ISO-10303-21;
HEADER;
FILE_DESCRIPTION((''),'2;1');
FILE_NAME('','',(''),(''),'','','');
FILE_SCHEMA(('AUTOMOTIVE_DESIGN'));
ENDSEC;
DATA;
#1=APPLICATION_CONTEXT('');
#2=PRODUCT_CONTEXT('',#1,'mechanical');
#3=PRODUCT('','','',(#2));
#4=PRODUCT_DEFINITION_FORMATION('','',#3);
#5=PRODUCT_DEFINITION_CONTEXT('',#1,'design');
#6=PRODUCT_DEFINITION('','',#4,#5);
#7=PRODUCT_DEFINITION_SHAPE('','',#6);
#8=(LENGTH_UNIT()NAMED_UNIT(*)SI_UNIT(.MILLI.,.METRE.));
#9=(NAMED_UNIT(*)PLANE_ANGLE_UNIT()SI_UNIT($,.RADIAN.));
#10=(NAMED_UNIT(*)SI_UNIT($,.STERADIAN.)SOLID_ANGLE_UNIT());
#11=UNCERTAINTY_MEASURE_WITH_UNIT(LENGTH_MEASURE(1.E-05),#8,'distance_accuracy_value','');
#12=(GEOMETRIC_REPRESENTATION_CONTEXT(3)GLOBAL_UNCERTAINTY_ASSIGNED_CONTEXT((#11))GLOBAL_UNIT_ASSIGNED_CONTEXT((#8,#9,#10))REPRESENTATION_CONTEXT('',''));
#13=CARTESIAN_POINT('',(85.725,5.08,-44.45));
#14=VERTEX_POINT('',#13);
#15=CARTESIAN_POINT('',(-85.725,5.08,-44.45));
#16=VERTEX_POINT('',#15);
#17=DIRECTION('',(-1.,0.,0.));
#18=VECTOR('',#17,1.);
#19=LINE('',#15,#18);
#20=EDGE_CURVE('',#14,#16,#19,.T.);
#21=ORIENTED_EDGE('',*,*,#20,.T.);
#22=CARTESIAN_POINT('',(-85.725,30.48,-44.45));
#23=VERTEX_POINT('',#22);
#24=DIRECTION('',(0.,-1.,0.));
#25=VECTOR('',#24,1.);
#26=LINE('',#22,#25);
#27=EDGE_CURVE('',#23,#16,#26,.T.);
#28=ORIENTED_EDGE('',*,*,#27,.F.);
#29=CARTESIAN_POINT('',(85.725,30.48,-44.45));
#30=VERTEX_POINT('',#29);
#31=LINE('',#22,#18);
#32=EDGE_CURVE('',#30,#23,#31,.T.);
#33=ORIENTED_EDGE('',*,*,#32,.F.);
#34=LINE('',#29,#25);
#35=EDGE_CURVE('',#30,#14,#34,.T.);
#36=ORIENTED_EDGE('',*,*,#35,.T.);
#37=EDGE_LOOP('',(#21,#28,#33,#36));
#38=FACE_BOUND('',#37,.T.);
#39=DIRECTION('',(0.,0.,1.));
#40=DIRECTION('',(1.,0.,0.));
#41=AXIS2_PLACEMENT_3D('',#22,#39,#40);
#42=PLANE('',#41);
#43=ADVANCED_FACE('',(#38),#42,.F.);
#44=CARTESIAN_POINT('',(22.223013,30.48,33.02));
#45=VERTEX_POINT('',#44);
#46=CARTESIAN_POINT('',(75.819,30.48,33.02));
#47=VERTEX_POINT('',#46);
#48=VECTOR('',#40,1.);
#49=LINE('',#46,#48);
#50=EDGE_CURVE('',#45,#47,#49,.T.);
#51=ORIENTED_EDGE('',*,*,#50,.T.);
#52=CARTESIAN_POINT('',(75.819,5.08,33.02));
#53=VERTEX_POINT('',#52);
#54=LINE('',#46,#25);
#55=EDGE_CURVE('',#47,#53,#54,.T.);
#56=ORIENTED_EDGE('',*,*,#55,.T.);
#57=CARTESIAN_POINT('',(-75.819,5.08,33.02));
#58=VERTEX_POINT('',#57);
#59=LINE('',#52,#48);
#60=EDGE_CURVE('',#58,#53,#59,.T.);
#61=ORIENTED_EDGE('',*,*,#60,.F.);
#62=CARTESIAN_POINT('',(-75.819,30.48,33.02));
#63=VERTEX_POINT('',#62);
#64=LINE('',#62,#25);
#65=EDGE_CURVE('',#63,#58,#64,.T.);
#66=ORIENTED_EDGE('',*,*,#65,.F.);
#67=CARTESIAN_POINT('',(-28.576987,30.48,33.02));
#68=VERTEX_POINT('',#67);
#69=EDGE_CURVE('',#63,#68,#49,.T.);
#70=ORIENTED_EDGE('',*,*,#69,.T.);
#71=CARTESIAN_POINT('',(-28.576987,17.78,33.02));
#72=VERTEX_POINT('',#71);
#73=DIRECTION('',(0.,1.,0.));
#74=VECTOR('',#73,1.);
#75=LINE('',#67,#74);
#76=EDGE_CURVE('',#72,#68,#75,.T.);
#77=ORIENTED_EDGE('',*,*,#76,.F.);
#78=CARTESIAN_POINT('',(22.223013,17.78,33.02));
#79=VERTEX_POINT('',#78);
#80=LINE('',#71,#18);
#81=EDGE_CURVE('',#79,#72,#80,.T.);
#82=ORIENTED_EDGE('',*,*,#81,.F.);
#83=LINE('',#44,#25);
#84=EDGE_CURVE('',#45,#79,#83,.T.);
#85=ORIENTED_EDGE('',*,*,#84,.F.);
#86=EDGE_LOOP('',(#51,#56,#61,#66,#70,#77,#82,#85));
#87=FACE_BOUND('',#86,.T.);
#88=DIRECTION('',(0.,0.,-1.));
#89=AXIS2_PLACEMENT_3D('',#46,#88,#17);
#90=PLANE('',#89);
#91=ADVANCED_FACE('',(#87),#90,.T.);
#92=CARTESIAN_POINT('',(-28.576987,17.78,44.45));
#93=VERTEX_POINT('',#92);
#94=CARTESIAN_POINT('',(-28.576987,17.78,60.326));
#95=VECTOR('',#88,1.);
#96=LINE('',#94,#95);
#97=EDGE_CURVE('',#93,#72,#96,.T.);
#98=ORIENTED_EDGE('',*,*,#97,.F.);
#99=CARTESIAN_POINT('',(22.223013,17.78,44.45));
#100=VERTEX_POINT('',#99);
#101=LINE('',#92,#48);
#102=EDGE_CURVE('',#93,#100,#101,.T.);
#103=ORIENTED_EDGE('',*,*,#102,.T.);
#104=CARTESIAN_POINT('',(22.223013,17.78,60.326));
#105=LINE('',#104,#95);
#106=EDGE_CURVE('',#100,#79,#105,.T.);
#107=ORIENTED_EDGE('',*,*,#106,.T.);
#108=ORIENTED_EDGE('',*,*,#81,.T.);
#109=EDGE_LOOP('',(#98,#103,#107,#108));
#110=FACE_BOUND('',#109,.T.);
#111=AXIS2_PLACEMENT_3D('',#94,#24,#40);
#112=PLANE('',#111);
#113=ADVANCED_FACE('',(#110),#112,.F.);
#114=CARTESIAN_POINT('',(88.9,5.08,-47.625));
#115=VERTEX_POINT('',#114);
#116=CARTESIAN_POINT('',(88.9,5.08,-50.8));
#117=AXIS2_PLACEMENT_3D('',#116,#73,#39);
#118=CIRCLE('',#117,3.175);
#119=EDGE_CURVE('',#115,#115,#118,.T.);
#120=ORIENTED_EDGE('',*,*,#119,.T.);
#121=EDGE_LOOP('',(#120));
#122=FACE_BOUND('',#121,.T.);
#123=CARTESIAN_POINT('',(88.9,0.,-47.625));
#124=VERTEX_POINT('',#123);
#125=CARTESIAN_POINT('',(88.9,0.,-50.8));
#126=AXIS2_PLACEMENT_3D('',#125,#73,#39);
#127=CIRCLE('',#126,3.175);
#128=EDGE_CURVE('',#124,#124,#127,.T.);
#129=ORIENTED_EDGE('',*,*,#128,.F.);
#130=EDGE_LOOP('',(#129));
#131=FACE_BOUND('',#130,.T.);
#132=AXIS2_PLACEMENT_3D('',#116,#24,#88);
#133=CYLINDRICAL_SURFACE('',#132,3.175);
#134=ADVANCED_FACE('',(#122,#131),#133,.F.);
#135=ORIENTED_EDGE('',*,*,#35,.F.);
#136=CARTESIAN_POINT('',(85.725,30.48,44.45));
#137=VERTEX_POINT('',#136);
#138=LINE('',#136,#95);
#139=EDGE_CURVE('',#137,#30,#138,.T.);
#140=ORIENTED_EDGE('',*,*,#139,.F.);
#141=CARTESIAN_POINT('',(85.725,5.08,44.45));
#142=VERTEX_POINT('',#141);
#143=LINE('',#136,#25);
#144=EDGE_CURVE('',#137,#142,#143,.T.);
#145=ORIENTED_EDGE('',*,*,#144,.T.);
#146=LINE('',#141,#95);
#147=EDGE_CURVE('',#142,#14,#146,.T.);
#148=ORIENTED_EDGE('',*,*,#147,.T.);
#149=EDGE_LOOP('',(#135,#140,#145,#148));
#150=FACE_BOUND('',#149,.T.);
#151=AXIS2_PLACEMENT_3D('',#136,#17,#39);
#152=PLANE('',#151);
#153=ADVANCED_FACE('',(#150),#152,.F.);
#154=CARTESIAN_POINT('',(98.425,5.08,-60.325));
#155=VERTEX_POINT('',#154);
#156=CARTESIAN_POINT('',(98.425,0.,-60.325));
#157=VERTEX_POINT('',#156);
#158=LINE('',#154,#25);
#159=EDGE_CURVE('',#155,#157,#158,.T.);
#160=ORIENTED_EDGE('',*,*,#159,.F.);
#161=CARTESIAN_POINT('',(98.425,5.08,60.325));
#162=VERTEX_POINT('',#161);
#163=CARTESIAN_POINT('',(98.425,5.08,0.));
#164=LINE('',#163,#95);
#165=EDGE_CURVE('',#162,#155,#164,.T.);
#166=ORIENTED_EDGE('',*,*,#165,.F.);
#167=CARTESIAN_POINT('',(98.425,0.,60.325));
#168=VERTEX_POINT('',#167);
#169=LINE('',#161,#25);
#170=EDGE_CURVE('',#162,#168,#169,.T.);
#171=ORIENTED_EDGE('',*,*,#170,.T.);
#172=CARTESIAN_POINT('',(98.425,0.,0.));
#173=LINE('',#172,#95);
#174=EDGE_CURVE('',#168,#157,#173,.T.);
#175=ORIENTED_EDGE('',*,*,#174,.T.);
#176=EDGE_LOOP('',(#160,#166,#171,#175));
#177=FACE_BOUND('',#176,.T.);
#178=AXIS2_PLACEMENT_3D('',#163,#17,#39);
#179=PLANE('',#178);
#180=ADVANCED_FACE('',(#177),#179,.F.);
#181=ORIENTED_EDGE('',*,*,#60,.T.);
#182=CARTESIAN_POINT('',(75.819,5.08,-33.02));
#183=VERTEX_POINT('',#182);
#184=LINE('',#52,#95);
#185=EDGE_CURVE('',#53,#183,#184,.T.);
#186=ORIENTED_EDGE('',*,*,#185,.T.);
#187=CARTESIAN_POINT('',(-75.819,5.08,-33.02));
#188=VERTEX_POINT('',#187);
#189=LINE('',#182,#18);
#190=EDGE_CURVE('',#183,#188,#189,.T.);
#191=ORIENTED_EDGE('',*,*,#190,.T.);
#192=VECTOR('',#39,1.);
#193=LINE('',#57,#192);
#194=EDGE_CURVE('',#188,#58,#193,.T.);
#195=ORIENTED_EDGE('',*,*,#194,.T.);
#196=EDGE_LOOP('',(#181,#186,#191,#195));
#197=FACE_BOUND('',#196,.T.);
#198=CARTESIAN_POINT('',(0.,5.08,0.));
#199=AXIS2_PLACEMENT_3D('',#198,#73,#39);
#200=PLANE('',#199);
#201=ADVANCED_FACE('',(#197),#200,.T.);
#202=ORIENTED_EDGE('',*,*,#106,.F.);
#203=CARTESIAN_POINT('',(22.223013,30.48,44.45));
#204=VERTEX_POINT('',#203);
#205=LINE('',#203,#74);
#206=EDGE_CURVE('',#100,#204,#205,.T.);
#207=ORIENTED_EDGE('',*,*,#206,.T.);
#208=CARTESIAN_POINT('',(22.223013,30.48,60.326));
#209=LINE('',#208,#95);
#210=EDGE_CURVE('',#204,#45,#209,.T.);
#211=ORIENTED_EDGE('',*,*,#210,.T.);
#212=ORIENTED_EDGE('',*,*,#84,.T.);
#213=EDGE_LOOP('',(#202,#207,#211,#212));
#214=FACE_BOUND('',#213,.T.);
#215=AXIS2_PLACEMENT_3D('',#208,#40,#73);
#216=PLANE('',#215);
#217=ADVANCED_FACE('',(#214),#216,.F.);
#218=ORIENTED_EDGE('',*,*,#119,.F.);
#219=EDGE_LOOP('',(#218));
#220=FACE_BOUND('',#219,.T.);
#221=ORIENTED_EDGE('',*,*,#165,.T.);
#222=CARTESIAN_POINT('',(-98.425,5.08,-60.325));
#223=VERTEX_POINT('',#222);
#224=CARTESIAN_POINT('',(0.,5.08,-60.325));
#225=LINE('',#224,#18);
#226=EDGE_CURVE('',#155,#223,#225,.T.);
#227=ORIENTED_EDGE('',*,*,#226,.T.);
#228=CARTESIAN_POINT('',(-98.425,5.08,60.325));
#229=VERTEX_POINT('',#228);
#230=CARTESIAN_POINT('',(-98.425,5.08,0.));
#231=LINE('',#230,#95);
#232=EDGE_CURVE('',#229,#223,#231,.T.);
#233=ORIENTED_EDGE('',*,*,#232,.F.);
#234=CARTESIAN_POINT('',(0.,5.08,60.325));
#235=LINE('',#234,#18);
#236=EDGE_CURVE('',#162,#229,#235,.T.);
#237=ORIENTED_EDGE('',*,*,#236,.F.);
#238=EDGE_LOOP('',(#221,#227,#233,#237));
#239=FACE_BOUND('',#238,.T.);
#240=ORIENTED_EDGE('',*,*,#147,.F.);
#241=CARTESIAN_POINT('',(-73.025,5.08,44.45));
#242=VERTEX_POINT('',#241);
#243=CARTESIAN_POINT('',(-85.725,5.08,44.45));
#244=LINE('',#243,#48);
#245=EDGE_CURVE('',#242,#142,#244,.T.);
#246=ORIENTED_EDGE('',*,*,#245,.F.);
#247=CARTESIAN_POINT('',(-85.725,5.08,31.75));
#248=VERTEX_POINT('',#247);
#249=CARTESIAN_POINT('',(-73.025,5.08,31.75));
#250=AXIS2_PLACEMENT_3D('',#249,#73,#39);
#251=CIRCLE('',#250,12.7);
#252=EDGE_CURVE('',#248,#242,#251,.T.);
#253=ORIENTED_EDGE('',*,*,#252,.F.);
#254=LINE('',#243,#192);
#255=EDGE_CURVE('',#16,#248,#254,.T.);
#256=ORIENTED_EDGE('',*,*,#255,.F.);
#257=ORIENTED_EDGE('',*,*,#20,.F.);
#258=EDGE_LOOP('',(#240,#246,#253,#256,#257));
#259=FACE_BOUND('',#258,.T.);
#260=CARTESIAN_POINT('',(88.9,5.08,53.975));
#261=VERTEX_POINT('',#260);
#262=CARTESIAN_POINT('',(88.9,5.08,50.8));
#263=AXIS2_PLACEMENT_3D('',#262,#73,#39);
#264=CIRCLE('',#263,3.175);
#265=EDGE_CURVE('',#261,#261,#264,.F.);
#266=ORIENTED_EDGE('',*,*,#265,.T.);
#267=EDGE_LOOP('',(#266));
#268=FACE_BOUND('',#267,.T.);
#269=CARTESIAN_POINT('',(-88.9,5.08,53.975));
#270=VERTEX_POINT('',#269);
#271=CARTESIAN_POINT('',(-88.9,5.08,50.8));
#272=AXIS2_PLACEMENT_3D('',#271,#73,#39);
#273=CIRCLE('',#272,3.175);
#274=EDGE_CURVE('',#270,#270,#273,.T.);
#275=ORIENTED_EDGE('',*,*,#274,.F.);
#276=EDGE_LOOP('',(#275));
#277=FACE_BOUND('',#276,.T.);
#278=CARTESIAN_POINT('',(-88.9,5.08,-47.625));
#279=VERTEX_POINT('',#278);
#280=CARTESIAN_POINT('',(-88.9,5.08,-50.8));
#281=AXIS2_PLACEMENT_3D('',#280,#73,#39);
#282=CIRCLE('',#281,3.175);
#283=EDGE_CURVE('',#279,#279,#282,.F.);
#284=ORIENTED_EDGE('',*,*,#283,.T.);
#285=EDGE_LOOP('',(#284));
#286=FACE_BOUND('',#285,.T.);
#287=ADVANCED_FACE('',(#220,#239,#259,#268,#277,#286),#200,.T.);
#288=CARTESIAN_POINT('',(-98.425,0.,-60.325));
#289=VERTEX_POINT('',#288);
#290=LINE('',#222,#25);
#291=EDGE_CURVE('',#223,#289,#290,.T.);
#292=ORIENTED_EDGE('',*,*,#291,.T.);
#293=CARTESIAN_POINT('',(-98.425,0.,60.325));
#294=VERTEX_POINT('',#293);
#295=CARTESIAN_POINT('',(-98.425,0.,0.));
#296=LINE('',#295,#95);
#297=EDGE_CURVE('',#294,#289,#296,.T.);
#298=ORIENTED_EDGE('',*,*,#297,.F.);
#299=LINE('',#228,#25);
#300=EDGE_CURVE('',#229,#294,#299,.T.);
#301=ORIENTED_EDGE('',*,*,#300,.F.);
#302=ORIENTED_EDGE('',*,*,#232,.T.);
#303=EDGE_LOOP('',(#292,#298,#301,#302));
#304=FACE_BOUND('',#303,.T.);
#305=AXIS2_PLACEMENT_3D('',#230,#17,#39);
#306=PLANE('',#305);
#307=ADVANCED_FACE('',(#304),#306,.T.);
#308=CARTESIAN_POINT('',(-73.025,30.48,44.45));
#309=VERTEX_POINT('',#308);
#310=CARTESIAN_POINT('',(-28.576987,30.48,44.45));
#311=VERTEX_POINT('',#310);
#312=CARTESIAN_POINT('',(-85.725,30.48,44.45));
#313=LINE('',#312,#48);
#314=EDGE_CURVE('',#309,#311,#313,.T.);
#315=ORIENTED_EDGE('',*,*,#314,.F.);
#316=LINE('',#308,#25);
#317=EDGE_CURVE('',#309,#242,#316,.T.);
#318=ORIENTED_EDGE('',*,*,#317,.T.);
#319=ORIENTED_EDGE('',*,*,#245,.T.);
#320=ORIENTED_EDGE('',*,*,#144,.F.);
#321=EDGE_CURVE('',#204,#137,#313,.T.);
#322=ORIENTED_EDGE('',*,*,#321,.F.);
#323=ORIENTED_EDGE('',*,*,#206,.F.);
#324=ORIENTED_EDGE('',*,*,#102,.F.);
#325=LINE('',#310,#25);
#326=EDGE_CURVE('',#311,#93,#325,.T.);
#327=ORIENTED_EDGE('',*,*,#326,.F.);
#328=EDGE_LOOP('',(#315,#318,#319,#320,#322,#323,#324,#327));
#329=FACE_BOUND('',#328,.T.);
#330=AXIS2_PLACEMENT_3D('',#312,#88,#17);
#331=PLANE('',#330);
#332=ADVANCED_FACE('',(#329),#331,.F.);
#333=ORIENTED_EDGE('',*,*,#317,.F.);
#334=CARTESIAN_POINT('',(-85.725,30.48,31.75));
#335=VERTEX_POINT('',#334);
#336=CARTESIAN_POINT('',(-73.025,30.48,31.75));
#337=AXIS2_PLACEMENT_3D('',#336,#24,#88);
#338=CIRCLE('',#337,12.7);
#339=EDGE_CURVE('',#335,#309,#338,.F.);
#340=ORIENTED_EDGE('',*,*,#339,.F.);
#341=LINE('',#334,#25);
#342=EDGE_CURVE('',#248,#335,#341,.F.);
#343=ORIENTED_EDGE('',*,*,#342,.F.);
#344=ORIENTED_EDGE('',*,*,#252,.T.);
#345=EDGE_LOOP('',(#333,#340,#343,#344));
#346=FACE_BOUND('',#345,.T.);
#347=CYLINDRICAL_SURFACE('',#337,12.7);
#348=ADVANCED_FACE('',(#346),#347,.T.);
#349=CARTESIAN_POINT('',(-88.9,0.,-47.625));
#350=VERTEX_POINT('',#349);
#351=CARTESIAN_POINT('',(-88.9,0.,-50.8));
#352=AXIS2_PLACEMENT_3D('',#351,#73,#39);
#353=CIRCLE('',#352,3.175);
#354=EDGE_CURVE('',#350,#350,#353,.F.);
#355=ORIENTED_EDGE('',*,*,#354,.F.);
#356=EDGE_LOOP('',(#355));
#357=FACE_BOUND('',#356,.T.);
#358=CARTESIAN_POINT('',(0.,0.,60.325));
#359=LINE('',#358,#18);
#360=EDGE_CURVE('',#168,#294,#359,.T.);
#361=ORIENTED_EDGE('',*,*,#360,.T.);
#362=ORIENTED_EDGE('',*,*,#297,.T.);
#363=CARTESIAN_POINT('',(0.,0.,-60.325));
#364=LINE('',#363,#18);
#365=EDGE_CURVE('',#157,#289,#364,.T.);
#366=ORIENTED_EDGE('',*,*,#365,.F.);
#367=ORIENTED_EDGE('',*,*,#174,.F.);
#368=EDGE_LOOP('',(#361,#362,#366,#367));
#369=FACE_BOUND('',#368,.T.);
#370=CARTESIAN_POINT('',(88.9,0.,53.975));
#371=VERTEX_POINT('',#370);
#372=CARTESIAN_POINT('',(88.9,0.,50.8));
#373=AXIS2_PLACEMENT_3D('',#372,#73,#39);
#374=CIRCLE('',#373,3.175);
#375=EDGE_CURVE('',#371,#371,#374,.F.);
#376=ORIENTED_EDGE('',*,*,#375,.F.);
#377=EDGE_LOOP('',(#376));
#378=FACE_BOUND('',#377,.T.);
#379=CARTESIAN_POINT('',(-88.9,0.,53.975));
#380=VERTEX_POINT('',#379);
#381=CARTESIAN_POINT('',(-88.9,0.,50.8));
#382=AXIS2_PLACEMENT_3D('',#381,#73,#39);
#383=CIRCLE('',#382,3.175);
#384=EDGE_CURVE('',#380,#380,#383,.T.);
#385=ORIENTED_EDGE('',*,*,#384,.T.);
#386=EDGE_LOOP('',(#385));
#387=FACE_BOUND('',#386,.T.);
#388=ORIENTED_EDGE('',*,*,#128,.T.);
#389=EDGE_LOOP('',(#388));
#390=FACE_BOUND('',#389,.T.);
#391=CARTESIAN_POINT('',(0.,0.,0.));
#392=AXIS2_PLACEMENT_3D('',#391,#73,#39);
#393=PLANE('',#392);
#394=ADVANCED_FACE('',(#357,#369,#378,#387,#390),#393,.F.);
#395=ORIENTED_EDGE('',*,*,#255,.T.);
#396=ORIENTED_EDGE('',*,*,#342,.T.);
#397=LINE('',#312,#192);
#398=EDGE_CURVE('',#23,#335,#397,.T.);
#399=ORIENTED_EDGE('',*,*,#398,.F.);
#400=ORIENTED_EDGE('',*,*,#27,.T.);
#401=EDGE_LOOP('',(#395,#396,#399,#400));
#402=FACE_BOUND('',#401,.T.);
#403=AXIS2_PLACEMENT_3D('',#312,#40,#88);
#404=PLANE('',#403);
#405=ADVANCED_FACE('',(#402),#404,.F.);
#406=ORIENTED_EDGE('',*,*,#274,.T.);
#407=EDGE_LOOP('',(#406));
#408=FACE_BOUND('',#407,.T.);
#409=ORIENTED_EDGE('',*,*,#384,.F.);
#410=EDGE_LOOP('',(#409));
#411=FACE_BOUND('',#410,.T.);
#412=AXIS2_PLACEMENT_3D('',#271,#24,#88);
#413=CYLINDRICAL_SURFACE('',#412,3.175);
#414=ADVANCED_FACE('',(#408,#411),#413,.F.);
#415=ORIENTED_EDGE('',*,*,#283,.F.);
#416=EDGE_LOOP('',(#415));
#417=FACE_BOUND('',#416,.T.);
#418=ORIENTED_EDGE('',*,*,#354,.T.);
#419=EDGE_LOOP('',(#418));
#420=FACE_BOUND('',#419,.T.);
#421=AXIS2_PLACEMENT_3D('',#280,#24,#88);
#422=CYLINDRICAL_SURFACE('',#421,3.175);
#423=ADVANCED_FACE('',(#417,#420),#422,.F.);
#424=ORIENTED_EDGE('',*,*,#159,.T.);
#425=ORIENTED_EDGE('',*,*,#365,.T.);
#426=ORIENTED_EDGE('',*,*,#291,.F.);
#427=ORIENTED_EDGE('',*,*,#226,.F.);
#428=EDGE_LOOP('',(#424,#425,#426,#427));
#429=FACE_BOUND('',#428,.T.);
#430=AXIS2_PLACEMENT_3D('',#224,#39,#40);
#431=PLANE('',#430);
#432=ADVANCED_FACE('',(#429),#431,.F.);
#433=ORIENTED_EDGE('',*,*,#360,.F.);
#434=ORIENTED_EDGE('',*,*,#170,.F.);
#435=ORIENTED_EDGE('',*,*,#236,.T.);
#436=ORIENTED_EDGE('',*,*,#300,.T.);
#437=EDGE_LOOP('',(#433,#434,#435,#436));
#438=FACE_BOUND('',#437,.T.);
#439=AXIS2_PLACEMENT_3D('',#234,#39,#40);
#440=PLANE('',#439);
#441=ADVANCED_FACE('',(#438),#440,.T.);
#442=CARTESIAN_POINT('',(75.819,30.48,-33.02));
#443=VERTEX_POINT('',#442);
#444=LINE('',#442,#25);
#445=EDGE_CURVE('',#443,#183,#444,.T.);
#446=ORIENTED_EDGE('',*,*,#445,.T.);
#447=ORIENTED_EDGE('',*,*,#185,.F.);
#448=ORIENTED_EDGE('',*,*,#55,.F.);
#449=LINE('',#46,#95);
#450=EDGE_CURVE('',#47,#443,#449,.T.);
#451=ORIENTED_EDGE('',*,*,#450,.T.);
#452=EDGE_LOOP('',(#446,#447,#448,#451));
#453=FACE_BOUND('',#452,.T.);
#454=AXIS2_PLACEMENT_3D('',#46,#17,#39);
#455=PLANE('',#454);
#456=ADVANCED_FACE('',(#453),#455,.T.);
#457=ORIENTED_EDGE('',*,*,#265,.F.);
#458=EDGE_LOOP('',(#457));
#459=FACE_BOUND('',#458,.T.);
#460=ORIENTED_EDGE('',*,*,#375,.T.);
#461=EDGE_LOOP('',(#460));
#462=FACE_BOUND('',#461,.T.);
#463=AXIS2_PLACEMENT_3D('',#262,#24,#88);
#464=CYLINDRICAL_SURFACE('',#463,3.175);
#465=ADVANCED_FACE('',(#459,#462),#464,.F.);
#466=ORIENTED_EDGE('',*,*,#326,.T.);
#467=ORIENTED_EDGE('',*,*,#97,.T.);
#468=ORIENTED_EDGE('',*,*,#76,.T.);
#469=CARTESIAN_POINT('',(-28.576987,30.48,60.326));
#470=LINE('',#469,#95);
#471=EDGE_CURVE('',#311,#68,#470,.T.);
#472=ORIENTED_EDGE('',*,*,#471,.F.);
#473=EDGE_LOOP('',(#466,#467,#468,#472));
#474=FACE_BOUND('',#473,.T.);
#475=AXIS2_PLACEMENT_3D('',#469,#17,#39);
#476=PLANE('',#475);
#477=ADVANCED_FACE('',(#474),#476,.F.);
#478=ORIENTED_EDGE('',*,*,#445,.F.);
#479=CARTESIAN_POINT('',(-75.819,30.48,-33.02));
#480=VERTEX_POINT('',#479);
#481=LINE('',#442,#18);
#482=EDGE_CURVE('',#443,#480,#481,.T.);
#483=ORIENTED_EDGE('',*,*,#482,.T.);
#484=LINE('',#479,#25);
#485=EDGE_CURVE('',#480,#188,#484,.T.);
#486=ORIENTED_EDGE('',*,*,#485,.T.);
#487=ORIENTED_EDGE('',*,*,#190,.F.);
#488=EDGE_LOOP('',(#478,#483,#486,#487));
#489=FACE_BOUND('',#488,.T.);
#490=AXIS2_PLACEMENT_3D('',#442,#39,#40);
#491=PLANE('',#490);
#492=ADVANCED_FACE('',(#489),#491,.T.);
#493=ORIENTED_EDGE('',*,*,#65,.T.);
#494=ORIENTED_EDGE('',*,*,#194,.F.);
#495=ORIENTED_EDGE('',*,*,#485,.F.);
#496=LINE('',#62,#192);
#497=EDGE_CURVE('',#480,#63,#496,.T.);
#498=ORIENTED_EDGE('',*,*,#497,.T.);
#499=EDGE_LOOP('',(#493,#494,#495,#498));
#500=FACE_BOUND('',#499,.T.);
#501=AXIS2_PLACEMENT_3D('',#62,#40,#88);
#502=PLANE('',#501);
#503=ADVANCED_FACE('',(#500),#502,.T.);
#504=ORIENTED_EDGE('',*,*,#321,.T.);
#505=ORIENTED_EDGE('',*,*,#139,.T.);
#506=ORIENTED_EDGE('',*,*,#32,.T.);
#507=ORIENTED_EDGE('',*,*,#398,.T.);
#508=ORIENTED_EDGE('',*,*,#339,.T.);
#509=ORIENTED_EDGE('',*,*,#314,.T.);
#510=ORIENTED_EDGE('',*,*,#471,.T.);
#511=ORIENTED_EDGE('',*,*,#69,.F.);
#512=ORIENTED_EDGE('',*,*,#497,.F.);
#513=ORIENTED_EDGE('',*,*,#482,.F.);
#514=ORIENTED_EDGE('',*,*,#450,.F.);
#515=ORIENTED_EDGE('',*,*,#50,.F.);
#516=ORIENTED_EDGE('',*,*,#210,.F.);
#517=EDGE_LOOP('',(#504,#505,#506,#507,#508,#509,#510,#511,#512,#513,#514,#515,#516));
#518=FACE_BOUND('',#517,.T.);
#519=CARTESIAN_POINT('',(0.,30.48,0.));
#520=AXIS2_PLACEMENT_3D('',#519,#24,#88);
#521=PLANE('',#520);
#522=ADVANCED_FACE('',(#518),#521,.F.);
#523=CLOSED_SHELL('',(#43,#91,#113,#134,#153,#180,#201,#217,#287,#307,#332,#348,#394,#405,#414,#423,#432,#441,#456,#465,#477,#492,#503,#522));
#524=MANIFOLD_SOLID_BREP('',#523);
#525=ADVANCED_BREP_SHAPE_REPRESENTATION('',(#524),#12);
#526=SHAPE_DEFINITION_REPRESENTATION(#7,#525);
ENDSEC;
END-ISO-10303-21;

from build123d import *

# Parameters (mm, degrees)
SKETCH1_W           = 196.85
SKETCH1_H           = 120.65
SKETCH1_R           = 3.175
BOSS_EXTRUDE2_DEPTH = 5.08
SKETCH4_W           = 171.45
SKETCH4_H           = 88.9
SKETCH4_W_2         = 151.638
SKETCH4_H_2         = 66.04
BOSS_EXTRUDE3_DEPTH = 25.4
FILLET4_R           = 12.7
CUT_EXTRUDE1_REACH  = 141.032
SKETCH7_W           = 50.8
SKETCH7_H           = 12.7


with BuildPart() as part:
    # Sketch1 → Boss-Extrude2 (new body)
    with BuildSketch(Plane(origin=(0, 0, 0), x_dir=(1, 0, 0), z_dir=(0, 1, 0))):
        Rectangle(SKETCH1_W, SKETCH1_H)
        with Locations(Location((-88.9, -50.8, 0), (0, 0, 270))):
            Circle(SKETCH1_R, mode=Mode.SUBTRACT)
        with Locations(Location((88.9, -50.8, 0), (0, 0, 270))):
            Circle(SKETCH1_R, mode=Mode.SUBTRACT)
        with Locations(Location((-88.9, 50.8, 0), (0, 0, 270))):
            Circle(SKETCH1_R, mode=Mode.SUBTRACT)
        with Locations(Location((88.9, 50.8, 0), (0, 0, 270))):
            Circle(SKETCH1_R, mode=Mode.SUBTRACT)
    extrude(amount=BOSS_EXTRUDE2_DEPTH)

    # Sketch4 → Boss-Extrude3 (add)
    with BuildSketch(Plane(origin=(0, 5.08, 0), x_dir=(1, 0, 0), z_dir=(0, 1, 0))):
        Rectangle(SKETCH4_W, SKETCH4_H)
        Rectangle(SKETCH4_W_2, SKETCH4_H_2, mode=Mode.SUBTRACT)
    extrude(amount=BOSS_EXTRUDE3_DEPTH)

    # Fillet4
    fillet4_edges = [part.edges().sort_by_distance(p)[0] for p in [
        (-85.725, 17.78, 44.45),
    ]]
    fillet(fillet4_edges, radius=FILLET4_R)

    # Sketch7 → Cut-Extrude1 (cut, up to next)
    with BuildSketch(Plane(origin=(0, 0, 33.02), x_dir=(-1, 0, 0), z_dir=(0, 0, -1)), mode=Mode.PRIVATE) as cut_extrude1_sk1:
        with Locations((3.176986547, 24.13)):
            Rectangle(SKETCH7_W, SKETCH7_H)
    cut_extrude1_tool1 = extrude(cut_extrude1_sk1.sketch, amount=-CUT_EXTRUDE1_REACH, mode=Mode.PRIVATE) & part.part
    add(cut_extrude1_tool1.solids().sort_by_distance((-3.176987, 24.13, 33.02))[0], mode=Mode.SUBTRACT)


solid = part.part
